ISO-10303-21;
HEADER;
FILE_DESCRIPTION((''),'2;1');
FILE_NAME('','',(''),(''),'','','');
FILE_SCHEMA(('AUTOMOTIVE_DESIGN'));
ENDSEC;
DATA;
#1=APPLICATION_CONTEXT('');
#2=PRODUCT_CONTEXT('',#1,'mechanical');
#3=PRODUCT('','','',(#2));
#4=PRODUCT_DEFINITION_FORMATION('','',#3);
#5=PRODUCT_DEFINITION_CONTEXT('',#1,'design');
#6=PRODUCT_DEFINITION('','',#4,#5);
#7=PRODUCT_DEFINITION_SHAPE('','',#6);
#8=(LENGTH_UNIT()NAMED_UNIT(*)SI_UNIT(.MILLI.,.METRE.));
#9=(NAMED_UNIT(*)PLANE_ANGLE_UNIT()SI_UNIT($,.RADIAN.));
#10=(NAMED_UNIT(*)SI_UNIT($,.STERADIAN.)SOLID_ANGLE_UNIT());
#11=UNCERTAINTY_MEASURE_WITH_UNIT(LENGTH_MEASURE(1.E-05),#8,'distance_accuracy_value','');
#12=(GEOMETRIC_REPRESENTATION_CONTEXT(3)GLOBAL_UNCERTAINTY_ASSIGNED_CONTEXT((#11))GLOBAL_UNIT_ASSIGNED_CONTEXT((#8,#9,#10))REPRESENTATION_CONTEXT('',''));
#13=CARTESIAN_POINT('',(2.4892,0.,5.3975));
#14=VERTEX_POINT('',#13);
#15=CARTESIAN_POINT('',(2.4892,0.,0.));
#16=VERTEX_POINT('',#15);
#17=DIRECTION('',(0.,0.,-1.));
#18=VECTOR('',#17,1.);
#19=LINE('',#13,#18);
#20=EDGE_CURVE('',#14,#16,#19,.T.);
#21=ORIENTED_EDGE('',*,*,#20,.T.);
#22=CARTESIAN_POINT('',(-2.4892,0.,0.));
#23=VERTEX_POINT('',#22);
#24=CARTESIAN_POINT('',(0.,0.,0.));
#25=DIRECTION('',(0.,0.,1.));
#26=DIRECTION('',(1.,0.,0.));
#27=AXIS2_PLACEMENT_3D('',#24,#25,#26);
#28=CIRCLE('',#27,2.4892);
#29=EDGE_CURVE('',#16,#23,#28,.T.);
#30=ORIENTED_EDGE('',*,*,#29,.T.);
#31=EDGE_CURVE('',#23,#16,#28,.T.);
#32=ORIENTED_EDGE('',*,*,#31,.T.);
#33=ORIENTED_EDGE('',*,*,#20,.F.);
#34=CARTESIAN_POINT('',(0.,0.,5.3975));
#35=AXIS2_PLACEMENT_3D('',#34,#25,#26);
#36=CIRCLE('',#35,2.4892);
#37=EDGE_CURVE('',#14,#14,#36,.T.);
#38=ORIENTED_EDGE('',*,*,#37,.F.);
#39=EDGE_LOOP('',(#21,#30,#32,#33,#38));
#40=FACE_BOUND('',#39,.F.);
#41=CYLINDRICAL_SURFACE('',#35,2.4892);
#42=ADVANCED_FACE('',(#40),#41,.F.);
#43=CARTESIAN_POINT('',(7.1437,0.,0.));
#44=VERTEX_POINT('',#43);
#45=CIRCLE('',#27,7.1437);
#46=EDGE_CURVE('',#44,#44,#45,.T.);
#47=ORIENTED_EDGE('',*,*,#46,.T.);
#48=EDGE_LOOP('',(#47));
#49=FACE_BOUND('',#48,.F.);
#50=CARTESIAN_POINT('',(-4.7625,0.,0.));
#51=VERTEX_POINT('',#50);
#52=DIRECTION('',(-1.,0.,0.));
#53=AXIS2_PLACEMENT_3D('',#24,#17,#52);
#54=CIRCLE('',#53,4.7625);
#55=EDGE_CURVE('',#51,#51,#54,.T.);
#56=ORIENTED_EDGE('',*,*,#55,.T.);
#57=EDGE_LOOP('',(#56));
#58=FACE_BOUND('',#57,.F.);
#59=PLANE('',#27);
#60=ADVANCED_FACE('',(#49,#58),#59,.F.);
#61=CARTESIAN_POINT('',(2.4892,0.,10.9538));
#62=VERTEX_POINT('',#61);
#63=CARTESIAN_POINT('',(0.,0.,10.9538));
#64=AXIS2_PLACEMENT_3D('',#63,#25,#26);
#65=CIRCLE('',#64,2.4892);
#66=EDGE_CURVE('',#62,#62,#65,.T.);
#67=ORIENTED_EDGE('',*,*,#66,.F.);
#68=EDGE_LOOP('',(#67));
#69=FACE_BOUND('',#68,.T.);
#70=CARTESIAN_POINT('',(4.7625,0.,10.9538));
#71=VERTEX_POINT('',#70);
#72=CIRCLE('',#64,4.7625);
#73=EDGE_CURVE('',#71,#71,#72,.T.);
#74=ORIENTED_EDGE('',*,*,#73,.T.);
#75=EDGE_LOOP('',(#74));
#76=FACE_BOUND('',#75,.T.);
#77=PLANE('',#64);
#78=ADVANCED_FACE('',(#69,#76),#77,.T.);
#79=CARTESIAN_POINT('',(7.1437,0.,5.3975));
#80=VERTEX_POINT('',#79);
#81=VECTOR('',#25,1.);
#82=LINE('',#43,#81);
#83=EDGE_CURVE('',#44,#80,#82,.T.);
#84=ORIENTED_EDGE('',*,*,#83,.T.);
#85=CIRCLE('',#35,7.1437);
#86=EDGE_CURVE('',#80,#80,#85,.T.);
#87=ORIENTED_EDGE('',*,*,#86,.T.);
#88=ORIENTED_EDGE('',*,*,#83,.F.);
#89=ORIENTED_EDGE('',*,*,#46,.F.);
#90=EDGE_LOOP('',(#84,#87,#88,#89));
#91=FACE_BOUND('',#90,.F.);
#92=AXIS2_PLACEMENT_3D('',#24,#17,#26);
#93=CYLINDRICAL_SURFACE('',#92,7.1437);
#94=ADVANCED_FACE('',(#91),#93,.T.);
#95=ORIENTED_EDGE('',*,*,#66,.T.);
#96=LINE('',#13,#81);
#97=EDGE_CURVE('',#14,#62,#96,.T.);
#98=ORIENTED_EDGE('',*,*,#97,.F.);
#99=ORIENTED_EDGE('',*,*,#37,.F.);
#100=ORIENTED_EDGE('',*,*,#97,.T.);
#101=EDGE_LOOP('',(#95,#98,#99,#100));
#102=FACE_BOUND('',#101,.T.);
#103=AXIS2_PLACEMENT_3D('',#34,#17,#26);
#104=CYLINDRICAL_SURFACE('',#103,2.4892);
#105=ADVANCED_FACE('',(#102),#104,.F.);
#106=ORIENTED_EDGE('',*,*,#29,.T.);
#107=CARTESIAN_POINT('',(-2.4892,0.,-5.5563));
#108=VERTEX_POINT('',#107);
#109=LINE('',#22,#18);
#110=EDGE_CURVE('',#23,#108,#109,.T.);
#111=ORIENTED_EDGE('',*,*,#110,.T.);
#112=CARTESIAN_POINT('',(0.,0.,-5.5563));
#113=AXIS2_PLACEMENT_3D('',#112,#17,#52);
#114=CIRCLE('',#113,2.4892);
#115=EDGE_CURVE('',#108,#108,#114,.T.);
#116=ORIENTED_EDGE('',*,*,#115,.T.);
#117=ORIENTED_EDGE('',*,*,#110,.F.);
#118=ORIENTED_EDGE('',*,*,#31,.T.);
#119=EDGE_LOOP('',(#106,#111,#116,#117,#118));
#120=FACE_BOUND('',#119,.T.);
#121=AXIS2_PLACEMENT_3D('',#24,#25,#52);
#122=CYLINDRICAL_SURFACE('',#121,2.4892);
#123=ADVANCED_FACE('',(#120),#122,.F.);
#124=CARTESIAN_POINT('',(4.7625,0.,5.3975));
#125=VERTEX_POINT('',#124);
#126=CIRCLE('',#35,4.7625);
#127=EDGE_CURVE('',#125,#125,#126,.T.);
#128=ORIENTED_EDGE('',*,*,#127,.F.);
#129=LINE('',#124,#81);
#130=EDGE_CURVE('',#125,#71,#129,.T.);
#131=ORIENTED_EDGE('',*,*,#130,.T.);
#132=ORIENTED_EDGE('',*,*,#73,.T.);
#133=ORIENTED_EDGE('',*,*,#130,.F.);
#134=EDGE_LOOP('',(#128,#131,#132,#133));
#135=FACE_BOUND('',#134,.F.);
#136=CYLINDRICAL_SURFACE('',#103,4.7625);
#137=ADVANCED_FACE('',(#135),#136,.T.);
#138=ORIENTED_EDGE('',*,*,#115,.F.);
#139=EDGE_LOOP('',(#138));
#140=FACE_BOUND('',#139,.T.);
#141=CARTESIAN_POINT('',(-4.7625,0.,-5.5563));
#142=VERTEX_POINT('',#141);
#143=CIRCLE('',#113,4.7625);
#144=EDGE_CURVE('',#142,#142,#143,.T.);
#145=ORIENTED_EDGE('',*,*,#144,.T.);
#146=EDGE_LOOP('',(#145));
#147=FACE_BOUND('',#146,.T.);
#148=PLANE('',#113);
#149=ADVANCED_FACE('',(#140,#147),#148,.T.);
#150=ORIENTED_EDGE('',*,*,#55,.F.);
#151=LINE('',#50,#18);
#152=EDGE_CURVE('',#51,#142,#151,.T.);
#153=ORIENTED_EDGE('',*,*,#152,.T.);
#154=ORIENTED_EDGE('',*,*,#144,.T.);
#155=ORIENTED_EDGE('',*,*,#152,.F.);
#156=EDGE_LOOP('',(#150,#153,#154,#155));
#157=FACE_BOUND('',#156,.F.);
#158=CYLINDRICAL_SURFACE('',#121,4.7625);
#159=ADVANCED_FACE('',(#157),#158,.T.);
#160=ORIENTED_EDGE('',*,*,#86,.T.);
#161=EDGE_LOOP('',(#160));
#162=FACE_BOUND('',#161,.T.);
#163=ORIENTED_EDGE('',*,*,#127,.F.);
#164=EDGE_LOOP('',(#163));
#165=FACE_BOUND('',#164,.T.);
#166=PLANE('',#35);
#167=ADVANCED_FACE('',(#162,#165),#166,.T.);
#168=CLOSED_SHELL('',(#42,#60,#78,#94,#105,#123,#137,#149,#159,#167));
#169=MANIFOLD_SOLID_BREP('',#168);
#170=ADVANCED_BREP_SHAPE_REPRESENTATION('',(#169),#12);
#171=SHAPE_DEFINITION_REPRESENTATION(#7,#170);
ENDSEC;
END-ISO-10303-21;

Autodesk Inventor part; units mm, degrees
ref_plane "YZ Plane" through (0, 0, 0) normal (1, 0, 0) x (0, 1, 0)
ref_plane "XZ Plane" through (0, 0, 0) normal (0, 1, 0) x (-1, 0, 0)
sketch "Sketch1" plane through (0, 0, 0) normal (0, 0, 1) x (1, 0, 0)
  circle A0 centre (0, 0) radius 7.1437
  dimension "d0" = 14.2875
extrude "Extrusion1" add sketch "Sketch1" along normal blind 5.3975
ref_plane "Work Plane1" through (0, 0, 6.35) normal (0, 0, 1) x (1, 0, 0)
sketch "Sketch6" plane through (0, 0, 5.3975) normal (0, 0, 1) x (1, 0, 0)
  circle A0 centre (0, 0) radius 2.4892
  dimension "d28" = 4.9784
extrude "Extrusion3" cut sketch "Sketch6" against normal through all
sketch "Sketch7" plane through (0, 0, 5.3975) normal (0, 0, 1) x (1, 0, 0)
  circle A0 centre (0, 0) radius 4.7625
  circle A1 centre (0, 0) radius 2.4892
  dimension "d31" = 9.525
  dimension "d32" = 4.9784
extrude "Extrusion4" add sketch "Sketch7" along normal blind 5.5563
sketch "Sketch8" plane through (0, 0, 0) normal (0, 0, -1) x (-1, 0, 0)
  circle A0 centre (0, 0) radius 2.4892 projected
  circle A1 centre (0, 0) radius 4.7625 projected
extrude "Extrusion5" add sketch "Sketch8" along normal blind 5.5563
ref_plane "Work Plane2" through (0, 0, 2.6987) normal (0, 0, 1) x (1, 0, 0)
properties part number "RollerSpacer2(Bearing)"
